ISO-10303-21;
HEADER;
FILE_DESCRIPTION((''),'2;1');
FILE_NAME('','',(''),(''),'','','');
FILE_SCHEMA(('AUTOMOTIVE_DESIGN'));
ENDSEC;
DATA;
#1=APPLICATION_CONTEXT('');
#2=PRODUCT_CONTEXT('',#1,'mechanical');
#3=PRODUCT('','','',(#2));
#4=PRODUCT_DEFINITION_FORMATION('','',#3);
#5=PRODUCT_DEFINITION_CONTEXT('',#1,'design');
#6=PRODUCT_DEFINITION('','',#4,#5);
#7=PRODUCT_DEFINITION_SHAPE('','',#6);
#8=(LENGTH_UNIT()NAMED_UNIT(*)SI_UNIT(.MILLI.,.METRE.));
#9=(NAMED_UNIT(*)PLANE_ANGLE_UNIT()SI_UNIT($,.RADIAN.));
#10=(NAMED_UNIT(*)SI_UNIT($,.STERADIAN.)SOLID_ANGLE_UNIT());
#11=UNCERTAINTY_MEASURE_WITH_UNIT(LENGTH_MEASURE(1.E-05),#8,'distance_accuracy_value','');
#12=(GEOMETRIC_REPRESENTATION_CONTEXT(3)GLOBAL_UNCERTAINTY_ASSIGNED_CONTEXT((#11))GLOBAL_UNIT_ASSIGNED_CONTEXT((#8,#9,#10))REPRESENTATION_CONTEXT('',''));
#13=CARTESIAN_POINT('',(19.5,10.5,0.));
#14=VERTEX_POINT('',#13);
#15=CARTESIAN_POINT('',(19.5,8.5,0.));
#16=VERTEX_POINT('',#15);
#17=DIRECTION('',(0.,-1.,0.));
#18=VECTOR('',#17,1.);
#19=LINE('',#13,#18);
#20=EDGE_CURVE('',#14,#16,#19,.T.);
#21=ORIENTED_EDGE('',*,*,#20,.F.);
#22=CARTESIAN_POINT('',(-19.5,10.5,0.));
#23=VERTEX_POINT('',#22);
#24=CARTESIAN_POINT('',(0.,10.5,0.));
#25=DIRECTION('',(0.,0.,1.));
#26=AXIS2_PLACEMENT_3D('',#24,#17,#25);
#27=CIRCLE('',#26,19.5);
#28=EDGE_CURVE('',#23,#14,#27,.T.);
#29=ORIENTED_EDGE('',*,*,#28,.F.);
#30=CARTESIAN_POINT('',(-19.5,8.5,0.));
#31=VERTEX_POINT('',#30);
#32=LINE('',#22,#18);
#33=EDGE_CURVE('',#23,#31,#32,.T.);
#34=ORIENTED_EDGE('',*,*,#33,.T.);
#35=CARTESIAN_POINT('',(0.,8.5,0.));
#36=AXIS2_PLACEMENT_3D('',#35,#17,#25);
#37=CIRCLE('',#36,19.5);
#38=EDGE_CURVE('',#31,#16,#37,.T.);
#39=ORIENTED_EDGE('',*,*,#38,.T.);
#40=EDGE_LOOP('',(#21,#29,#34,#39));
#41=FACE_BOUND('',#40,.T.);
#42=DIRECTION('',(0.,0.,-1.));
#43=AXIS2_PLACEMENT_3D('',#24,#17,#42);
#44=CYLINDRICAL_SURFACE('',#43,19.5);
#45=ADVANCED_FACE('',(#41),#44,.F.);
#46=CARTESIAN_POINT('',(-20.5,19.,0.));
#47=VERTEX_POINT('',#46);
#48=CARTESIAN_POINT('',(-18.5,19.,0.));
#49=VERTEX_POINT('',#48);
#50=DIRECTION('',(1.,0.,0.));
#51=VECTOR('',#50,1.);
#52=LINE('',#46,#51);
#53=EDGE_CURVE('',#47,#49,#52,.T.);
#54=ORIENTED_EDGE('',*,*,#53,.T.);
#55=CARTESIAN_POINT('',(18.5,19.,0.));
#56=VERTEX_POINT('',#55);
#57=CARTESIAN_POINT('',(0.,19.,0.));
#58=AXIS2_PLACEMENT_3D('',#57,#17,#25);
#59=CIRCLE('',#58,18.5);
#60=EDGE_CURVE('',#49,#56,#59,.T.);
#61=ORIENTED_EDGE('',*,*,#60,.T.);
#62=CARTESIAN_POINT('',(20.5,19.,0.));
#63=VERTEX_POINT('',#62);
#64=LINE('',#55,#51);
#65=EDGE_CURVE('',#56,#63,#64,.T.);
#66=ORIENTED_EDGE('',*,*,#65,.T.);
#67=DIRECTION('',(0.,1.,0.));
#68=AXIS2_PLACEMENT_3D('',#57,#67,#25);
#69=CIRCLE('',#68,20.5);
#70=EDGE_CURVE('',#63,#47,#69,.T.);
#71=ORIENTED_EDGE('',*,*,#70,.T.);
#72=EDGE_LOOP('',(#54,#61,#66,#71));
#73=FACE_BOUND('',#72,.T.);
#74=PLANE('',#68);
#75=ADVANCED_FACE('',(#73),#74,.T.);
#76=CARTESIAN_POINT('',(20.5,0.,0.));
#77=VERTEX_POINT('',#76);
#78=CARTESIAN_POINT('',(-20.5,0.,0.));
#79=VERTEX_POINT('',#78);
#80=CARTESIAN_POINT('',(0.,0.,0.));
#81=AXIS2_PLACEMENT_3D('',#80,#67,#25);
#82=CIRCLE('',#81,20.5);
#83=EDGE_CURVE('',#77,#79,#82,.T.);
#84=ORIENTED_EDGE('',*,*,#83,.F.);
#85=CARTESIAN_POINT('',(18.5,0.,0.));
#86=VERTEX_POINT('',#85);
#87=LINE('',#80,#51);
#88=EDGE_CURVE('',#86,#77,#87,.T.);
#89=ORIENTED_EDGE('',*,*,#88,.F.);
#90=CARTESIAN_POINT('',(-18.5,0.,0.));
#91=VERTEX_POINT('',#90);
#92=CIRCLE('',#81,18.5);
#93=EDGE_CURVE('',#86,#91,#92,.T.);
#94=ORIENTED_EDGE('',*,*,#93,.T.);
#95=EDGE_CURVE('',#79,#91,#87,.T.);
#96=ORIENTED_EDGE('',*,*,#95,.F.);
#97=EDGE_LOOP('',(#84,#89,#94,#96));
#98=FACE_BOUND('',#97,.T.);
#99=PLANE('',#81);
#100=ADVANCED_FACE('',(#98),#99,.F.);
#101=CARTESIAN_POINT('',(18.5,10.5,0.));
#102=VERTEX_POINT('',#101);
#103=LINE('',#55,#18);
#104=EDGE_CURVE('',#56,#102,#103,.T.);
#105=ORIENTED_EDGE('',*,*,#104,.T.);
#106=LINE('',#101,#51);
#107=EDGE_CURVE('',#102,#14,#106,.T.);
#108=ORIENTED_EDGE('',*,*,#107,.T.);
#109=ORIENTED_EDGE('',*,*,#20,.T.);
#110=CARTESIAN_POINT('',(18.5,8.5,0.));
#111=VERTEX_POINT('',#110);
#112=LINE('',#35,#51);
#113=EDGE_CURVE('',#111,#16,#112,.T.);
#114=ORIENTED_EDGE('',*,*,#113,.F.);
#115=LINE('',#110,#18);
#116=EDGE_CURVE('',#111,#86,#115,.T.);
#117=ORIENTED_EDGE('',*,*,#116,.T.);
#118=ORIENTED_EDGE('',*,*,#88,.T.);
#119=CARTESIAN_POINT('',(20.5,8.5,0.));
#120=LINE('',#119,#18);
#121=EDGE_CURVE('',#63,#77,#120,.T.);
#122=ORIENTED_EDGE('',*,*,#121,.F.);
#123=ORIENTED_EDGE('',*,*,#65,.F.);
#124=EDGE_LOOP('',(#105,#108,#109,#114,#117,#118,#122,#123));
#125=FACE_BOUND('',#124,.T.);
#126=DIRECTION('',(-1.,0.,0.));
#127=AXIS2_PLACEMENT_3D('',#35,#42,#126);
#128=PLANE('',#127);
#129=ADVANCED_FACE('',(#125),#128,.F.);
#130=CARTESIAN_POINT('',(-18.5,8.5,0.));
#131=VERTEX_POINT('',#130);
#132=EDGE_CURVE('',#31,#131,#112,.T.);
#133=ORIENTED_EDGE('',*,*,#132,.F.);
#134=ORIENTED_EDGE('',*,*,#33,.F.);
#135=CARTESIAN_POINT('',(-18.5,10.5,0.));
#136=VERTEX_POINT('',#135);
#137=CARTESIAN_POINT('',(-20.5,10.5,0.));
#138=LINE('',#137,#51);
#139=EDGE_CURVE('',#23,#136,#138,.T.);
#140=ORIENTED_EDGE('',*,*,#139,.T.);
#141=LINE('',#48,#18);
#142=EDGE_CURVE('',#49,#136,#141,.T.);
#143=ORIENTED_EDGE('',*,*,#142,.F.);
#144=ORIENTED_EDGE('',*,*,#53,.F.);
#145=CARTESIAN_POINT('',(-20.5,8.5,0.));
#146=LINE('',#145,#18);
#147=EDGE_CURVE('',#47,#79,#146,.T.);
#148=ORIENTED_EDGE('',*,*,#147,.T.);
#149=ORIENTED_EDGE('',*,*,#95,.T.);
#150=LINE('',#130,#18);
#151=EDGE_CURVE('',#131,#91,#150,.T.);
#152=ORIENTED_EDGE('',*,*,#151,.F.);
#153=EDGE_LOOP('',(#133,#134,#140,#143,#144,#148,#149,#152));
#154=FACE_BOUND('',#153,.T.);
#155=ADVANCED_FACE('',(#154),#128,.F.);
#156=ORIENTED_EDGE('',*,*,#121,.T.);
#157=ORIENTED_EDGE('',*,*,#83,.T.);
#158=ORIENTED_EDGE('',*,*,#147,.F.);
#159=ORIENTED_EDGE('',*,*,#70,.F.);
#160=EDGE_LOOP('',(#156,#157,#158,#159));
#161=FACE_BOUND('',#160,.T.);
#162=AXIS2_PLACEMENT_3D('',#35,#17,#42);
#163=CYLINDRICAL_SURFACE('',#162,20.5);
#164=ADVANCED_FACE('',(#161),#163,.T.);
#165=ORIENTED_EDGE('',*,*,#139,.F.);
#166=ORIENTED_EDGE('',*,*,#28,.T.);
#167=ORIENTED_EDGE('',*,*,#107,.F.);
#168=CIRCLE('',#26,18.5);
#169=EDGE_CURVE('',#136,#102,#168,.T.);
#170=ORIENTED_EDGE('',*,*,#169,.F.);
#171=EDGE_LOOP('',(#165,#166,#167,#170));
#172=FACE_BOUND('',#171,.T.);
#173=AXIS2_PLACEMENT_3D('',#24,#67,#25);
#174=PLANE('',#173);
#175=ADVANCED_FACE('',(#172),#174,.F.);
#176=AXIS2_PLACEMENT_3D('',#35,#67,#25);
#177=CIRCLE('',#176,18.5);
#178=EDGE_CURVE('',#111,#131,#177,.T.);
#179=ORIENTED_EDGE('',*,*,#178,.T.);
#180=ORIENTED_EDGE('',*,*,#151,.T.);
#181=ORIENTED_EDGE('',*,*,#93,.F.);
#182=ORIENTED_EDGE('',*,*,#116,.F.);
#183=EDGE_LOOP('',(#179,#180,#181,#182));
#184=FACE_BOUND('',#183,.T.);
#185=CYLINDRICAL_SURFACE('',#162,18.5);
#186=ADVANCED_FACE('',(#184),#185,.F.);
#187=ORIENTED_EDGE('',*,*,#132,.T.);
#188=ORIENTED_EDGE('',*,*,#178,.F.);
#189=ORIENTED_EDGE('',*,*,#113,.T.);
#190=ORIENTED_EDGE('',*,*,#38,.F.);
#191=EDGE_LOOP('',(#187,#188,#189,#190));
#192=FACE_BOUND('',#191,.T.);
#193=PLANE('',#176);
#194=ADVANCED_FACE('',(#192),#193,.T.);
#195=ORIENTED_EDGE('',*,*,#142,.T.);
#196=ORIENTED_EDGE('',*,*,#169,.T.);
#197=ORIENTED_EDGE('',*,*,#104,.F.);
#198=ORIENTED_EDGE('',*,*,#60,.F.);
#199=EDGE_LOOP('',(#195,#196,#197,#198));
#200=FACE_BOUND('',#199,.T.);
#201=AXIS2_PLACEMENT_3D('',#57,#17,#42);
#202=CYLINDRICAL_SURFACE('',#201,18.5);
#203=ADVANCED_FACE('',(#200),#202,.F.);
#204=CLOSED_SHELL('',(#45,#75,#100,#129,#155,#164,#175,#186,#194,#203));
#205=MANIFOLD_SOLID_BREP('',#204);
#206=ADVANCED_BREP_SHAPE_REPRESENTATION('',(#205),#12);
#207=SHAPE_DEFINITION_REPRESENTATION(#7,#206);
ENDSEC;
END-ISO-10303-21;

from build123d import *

# Parameters (mm, degrees)
BOSS_EXTRUDE1_DEPTH = 8.5
BOSS_EXTRUDE2_DEPTH = 2
BOSS_EXTRUDE3_DEPTH = 8.5


with BuildPart() as part:
    # Sketch1 → Boss-Extrude1 (new body)
    with BuildSketch(Plane(origin=(0, 0, 0), x_dir=(1, 0, 0), z_dir=(0, 1, 0))):
        with BuildLine():
            ThreePointArc((-18.5, 0), (0, 18.5), (18.5, 0))
            Line((18.5, 0), (20.5, 0))
            ThreePointArc((20.5, 0), (0, 20.5), (-20.5, 0))
            Line((-20.5, 0), (-18.5, 0))
        make_face()
    extrude(amount=BOSS_EXTRUDE1_DEPTH)

    # Sketch2 → Boss-Extrude2 (add)
    with BuildSketch(Plane(origin=(0, 8.5, 0), x_dir=(1, 0, 0), z_dir=(0, 1, 0))):
        with BuildLine():
            Line((-19.5, 0), (-20.5, 0))
            ThreePointArc((-20.5, 0), (0, 20.5), (20.5, 0))
            Line((20.5, 0), (19.5, 0))
            ThreePointArc((19.5, 0), (0, 19.5), (-19.5, 0))
        make_face()
    extrude(amount=BOSS_EXTRUDE2_DEPTH)

    # Sketch3 → Boss-Extrude3 (add)
    with BuildSketch(Plane(origin=(0, 10.5, 0), x_dir=(1, 0, 0), z_dir=(0, 1, 0))):
        with BuildLine():
            Line((-20.5, 0), (-18.5, 0))
            ThreePointArc((-18.5, 0), (0, 18.5), (18.5, 0))
            Line((18.5, 0), (20.5, 0))
            ThreePointArc((20.5, 0), (0, 20.5), (-20.5, 0))
        make_face()
    extrude(amount=BOSS_EXTRUDE3_DEPTH)


solid = part.part
